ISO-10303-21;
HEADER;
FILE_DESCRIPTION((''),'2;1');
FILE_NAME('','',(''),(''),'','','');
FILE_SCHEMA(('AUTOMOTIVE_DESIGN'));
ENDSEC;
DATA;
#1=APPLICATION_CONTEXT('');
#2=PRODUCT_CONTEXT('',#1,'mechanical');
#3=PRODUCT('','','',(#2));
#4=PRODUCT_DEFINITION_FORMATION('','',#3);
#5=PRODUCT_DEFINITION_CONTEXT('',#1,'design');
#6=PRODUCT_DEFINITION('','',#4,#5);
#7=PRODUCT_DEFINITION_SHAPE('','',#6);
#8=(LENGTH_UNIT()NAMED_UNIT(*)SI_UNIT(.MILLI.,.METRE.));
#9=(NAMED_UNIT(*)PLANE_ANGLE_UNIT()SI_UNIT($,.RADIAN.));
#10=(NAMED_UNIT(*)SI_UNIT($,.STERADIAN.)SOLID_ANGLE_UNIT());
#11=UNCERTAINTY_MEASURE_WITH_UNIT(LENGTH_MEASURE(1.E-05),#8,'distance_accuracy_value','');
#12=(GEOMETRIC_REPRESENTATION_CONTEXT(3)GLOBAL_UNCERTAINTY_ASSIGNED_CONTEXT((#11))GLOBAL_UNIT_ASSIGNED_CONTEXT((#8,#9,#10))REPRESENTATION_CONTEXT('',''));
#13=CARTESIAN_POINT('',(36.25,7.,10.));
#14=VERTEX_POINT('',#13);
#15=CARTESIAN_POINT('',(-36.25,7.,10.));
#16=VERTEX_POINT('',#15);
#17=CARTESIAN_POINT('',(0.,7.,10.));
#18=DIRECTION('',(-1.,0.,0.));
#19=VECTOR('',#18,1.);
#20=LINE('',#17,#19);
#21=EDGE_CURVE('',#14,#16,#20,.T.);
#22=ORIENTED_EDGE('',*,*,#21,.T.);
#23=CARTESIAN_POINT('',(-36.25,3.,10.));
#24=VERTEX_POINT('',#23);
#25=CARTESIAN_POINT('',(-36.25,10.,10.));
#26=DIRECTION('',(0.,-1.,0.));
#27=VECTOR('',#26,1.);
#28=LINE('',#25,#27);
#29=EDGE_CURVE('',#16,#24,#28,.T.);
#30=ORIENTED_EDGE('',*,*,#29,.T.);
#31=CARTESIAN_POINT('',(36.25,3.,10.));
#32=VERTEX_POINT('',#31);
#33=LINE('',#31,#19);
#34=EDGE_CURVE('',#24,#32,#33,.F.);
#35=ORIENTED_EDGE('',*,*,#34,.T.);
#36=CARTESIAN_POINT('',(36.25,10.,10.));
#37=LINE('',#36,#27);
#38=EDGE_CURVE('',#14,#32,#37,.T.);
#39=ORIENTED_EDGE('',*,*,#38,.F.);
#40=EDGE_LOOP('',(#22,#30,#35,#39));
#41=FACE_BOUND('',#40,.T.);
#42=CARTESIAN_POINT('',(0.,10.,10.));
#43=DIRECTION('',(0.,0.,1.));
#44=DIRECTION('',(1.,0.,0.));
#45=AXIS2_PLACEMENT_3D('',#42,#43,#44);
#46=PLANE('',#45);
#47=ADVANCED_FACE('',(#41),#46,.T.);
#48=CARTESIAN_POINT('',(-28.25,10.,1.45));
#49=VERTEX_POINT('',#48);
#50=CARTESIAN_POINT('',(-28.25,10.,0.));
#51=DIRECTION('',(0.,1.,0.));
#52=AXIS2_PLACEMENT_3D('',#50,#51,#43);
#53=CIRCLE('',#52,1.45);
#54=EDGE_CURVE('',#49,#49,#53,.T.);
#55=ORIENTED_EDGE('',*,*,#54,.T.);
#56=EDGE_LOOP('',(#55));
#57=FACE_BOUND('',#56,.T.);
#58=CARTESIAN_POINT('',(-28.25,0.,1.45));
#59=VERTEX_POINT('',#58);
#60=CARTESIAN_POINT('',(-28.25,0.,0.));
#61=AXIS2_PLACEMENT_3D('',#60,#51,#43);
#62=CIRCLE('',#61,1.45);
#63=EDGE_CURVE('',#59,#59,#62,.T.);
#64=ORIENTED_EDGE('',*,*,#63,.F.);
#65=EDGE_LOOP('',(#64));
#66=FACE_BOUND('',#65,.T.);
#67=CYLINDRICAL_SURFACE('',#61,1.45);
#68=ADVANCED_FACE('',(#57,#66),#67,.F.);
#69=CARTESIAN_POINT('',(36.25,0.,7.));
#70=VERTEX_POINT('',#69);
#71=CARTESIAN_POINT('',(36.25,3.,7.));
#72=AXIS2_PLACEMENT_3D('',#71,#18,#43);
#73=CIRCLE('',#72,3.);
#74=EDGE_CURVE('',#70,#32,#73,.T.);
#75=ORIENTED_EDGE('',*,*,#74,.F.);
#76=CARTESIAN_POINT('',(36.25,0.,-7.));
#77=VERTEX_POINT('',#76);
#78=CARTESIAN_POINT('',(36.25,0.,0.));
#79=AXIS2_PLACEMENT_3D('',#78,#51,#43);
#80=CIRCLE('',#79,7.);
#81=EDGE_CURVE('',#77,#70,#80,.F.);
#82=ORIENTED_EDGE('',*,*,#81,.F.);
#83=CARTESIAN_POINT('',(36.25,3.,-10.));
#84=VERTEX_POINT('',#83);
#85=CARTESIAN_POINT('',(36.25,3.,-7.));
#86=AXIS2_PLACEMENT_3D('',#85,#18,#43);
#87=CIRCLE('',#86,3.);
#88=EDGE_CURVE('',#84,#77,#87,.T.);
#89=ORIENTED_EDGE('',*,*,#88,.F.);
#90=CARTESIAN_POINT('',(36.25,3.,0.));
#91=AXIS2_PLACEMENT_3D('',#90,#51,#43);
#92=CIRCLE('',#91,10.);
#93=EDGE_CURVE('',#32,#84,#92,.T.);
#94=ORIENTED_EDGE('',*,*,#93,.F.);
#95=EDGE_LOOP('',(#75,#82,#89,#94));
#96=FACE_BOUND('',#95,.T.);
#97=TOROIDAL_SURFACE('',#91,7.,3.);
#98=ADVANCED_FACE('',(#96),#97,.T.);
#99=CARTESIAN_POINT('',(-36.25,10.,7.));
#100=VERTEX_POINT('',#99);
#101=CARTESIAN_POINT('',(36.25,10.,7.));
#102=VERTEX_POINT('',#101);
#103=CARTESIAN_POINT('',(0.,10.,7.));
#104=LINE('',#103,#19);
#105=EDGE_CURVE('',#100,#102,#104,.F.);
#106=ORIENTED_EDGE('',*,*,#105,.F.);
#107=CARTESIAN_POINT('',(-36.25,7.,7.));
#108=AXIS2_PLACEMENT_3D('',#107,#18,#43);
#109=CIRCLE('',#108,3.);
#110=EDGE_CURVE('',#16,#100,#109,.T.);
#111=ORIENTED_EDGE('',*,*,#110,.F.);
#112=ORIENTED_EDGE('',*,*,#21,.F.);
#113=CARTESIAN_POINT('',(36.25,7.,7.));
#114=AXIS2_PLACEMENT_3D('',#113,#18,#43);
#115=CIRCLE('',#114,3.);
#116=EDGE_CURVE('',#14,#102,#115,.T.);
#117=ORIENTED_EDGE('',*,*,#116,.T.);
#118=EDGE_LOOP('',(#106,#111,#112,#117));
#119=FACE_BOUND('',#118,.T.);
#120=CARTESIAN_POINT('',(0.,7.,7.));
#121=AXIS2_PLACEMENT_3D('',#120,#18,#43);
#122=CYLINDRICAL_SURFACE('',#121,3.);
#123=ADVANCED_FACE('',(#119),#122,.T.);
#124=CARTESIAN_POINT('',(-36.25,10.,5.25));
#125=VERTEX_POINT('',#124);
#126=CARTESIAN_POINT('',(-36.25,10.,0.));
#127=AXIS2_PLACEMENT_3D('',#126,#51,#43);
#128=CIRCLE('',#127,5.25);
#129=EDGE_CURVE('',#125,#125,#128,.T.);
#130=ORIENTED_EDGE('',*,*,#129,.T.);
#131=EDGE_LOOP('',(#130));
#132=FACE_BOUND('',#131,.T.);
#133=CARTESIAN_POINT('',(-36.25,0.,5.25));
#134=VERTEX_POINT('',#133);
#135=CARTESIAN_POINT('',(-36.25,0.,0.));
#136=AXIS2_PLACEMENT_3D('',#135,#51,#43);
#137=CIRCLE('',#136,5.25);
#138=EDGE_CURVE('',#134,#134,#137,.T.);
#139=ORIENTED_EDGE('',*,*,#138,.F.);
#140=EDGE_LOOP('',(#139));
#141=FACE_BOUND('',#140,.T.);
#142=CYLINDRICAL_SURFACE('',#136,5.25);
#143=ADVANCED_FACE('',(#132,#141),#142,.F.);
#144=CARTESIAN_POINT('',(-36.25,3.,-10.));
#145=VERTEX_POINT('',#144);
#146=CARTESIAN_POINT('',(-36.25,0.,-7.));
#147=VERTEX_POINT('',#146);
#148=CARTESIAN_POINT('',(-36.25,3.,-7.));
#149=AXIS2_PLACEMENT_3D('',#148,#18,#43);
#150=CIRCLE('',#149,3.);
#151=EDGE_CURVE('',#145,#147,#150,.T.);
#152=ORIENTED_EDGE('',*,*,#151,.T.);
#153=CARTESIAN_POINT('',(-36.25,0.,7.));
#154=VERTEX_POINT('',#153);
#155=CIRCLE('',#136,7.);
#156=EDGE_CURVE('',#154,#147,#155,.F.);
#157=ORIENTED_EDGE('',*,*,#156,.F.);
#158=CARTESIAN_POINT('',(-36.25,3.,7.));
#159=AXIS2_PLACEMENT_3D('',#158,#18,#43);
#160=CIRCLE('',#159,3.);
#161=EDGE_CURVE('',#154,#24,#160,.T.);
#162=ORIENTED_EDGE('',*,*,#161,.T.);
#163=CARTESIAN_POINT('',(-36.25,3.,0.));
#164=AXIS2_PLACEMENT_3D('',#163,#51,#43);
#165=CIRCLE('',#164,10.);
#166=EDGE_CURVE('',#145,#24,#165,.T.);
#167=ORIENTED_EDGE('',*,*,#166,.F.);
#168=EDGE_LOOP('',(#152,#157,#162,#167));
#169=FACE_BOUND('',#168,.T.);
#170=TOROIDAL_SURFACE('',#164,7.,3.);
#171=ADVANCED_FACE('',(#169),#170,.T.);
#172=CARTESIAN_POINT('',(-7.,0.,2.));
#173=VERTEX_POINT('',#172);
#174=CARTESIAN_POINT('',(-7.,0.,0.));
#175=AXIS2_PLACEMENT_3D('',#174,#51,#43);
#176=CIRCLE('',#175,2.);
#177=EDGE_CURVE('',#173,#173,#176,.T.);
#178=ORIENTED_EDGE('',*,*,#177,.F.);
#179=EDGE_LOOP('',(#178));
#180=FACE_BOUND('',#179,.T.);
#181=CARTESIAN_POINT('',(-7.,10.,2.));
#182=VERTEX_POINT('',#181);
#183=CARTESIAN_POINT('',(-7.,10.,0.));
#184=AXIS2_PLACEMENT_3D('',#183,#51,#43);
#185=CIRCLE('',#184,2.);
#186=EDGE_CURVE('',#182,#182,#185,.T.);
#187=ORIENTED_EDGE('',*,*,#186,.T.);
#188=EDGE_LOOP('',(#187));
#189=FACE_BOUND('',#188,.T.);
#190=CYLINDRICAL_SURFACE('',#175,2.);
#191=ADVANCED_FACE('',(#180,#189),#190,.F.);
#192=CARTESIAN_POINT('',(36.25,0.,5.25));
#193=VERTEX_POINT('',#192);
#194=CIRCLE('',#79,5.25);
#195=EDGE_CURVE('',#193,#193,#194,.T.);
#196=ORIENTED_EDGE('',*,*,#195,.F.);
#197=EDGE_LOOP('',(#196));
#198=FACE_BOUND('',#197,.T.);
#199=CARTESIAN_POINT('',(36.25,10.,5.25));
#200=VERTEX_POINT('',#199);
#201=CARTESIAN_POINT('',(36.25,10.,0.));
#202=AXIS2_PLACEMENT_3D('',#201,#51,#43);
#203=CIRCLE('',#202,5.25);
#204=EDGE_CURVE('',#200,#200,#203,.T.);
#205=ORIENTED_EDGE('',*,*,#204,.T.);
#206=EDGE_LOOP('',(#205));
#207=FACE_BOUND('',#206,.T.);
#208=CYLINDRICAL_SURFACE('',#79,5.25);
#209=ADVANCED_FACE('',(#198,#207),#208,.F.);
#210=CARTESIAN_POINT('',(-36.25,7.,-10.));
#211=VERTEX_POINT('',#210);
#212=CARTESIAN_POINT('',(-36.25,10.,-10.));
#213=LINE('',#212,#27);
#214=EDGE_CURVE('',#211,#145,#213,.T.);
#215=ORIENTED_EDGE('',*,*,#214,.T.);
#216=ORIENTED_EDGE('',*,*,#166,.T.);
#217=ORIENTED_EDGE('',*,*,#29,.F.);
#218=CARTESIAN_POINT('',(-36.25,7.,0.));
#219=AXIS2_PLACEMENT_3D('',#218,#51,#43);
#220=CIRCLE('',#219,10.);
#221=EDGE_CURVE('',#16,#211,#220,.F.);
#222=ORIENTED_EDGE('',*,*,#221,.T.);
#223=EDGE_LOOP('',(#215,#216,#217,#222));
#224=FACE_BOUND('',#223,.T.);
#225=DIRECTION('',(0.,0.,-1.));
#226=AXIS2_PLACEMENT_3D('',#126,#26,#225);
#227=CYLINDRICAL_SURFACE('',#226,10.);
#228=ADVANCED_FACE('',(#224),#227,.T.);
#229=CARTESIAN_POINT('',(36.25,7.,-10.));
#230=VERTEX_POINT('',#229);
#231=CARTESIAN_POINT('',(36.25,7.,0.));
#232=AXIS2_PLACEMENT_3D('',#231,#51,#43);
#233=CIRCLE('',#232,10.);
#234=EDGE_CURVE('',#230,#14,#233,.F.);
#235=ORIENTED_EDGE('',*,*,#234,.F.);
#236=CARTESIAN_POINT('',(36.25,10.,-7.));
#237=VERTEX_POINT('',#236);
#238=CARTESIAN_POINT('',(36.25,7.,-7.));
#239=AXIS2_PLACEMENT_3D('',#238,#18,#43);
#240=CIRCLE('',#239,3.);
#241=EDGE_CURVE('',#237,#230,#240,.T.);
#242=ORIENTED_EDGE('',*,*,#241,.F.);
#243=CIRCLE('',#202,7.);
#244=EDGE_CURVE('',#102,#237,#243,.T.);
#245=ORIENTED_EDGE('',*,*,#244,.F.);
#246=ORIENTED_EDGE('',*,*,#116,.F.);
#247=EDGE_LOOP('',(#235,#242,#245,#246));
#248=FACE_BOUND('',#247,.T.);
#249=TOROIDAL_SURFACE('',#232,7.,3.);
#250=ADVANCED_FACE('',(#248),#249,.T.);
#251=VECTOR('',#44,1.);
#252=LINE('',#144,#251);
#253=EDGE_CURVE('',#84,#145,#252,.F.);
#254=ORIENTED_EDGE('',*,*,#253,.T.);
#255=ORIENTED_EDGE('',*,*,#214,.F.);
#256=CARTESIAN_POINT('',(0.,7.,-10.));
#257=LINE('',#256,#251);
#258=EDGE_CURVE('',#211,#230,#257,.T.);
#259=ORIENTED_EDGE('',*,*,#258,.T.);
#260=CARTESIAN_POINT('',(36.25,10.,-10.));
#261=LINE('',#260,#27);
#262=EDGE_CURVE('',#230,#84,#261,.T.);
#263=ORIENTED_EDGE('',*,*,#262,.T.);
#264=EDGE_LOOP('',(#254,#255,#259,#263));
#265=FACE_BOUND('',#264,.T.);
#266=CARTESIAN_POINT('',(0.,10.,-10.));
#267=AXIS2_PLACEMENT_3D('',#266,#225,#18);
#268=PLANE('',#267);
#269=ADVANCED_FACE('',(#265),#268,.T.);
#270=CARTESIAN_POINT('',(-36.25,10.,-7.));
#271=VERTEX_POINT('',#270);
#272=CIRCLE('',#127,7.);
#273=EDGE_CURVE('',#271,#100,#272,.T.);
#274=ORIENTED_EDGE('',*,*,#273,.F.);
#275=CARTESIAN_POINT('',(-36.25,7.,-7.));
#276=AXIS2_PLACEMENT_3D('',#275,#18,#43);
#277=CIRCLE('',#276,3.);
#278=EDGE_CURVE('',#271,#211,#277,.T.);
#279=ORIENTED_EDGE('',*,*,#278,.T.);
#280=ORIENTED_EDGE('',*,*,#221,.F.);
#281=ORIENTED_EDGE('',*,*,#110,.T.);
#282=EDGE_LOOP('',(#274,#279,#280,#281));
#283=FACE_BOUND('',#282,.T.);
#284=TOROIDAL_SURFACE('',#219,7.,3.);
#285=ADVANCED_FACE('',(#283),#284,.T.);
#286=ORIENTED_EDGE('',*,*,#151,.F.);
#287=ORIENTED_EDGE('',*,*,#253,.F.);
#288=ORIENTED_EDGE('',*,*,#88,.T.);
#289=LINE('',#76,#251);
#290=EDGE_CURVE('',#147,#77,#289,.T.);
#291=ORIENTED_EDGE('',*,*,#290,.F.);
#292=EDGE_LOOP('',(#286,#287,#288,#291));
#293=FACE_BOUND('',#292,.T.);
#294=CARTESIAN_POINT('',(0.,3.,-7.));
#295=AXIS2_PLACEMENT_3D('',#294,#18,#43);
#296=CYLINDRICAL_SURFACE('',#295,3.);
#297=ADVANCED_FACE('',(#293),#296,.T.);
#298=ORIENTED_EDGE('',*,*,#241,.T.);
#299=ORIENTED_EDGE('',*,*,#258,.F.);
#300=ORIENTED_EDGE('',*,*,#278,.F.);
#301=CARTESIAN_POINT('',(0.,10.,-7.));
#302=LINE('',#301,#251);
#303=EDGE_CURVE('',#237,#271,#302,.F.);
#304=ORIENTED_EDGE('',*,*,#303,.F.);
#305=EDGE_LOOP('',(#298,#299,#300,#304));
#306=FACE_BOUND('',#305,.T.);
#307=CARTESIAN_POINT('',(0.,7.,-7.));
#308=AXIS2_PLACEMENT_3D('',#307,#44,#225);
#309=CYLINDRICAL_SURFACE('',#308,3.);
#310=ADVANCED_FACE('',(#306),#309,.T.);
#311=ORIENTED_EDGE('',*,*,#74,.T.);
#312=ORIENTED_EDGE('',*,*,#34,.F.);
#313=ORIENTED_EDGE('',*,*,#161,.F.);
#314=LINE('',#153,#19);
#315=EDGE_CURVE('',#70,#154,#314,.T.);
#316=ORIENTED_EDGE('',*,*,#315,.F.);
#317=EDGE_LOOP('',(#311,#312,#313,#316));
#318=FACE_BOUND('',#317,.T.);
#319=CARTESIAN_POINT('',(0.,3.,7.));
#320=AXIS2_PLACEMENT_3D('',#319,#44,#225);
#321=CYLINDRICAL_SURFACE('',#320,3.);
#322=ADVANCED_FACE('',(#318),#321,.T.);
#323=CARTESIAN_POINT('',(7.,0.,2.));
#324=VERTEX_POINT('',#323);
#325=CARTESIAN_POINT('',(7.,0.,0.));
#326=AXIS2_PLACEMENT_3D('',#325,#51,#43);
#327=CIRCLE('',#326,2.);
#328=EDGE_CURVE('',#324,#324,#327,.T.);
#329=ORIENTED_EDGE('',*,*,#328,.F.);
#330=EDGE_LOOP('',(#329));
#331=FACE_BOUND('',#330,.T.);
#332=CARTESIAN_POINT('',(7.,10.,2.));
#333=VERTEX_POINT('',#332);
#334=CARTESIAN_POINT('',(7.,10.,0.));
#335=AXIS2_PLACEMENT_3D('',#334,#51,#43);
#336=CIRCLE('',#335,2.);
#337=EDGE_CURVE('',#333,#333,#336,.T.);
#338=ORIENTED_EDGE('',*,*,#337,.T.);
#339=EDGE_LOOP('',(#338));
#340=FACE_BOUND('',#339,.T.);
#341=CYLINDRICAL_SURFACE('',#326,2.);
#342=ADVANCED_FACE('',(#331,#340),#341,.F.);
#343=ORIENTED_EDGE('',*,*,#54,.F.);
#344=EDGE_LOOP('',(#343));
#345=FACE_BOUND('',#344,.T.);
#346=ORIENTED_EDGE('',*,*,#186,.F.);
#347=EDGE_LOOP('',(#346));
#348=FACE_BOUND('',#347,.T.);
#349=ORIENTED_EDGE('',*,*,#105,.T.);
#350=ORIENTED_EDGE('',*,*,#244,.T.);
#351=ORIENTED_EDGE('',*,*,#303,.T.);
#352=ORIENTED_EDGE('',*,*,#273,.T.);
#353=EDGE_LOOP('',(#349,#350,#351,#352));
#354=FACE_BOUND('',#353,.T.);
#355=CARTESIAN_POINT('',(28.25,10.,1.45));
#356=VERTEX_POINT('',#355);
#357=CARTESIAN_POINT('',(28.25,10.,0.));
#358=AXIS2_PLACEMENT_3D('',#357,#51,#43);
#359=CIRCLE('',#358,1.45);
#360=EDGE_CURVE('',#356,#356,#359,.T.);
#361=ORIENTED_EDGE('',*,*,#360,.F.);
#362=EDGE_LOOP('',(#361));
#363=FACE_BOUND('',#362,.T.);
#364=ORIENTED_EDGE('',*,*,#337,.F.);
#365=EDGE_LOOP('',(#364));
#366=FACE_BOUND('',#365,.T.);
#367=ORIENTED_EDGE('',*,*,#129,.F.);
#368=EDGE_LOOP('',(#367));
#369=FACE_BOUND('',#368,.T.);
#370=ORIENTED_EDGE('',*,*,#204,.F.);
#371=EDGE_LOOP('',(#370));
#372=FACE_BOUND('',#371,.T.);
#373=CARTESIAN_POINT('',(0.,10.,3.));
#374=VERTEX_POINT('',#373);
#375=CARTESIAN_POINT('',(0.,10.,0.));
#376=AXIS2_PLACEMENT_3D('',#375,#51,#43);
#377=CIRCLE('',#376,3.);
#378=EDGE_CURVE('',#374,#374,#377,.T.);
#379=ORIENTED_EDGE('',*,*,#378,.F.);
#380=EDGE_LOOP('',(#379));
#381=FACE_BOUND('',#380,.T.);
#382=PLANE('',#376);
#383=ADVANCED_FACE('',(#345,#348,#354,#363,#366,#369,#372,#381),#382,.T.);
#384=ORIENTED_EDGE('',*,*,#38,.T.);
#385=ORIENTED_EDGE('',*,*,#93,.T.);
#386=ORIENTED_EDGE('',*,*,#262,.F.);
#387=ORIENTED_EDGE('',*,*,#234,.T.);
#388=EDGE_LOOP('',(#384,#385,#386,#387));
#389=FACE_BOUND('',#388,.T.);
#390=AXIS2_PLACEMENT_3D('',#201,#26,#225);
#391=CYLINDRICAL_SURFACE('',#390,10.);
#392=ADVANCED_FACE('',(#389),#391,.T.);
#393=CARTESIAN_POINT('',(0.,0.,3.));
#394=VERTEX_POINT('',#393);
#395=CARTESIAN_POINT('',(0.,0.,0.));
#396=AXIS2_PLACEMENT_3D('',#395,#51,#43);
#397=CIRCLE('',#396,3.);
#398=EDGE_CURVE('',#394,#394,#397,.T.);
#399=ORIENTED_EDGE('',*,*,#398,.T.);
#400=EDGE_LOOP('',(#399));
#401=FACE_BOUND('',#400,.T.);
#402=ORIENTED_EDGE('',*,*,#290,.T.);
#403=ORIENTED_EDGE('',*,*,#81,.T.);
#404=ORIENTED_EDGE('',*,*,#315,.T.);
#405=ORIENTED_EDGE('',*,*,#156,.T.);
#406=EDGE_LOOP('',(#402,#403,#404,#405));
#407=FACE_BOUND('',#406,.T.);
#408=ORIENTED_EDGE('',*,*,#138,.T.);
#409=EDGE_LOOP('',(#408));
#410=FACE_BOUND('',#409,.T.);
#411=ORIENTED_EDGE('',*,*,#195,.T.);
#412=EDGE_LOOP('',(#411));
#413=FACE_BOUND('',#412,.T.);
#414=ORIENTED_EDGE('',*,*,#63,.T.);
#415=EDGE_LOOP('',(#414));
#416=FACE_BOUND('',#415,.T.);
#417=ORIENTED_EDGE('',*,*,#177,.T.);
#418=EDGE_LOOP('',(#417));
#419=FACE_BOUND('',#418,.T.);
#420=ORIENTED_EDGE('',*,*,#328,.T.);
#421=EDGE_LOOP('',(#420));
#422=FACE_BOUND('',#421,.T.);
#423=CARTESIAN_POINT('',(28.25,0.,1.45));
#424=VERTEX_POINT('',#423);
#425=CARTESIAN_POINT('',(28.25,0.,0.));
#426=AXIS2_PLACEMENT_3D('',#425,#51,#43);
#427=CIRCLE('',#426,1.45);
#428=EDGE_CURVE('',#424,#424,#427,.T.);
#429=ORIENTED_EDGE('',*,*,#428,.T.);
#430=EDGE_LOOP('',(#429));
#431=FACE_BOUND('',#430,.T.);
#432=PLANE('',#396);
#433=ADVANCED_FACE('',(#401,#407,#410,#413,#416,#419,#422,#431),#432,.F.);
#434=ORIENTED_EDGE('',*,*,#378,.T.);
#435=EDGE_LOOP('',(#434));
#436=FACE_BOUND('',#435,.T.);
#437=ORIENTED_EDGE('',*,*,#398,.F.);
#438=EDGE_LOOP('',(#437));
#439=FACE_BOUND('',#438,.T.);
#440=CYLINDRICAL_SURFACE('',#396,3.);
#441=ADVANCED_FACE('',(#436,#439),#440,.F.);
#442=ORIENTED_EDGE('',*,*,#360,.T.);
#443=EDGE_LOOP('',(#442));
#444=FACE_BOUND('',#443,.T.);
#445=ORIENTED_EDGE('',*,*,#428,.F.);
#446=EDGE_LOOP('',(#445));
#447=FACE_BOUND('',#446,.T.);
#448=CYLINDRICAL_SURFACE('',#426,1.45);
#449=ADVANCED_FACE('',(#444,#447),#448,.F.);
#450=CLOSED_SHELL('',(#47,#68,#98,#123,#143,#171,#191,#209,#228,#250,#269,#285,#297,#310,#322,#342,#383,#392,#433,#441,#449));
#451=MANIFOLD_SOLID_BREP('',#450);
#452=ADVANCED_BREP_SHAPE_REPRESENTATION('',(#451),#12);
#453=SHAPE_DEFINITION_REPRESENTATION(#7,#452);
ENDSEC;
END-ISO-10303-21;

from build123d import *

# Parameters (mm, degrees)
SKETCH2_R           = 5
BOSS_EXTRUDE1_DEPTH = 10
FILLET1_R           = 3
BOSS_EXTRUDE2_DEPTH = 10
SKETCH5_R           = 5
SKETCH5_R_2         = 4.5
BOSS_EXTRUDE3_DEPTH = 10
SKETCH6_R           = 2
CUT_EXTRUDE1_DEPTH  = 10
SKETCH7_R           = 3
CUT_EXTRUDE2_DEPTH  = 10
SKETCH8_R           = 4.65
CUT_EXTRUDE3_DEPTH  = 17
SKETCH9_R           = 4.65
SKETCH9_R_2         = 5.25
CUT_EXTRUDE4_DEPTH  = 10
SKETCH9_3_R         = 1.45
CUT_EXTRUDE5_DEPTH  = 10


with BuildPart() as part:
    # Sketch2 → Boss-Extrude1 (new body)
    with BuildSketch(Plane(origin=(0, 0, 0), x_dir=(1, 0, 0), z_dir=(0, 1, 0))):
        with BuildLine():
            Line((36.25, 10), (-36.25, 10))
            ThreePointArc((-36.25, 10), (-46.25, 0), (-36.25, -10))
            Line((-36.25, -10), (36.25, -10))
            ThreePointArc((36.25, -10), (46.25, 0), (36.25, 10))
        make_face()
        with Locations((-36.25, 0)):
            Circle(SKETCH2_R, mode=Mode.SUBTRACT)
        with BuildLine():
            ThreePointArc((5, 0), (3.535533906, -3.535533906), (0, -5))
            ThreePointArc((0, -5), (-5, 0), (0, 5))
            ThreePointArc((0, 5), (3.535533906, 3.535533906), (5, 0))
        make_face(mode=Mode.SUBTRACT)
        with Locations((36.25, 0)):
            Circle(SKETCH2_R, mode=Mode.SUBTRACT)
    extrude(amount=BOSS_EXTRUDE1_DEPTH)

    # Fillet1
    fillet1_edges = [part.edges().sort_by_distance(p)[0] for p in [
        (46.25, 0, 0),
        (0, 0, 10),
        (0, 10, 10),
        (46.25, 10, 0),
        (0, 10, -10),
        (-46.25, 10, 0),
        (-46.25, 0, 0),
        (0, 0, -10),
    ]]
    fillet(fillet1_edges, radius=FILLET1_R)

    # Sketch3 → Boss-Extrude2 (add)
    with BuildSketch(Plane(origin=(0, 10, 0), x_dir=(1, 0, 0), z_dir=(0, 1, 0))):
        with BuildLine():
            Line((5, 0), (0, 0))
            Line((0, 0), (-5, 0))
            ThreePointArc((-5, 0), (0, -5), (5, 0))
        make_face()
        with BuildLine():
            Line((-5, 0), (0, 0))
            Line((0, 0), (5, 0))
            ThreePointArc((5, 0), (0, 5), (-5, 0))
        make_face()
    extrude(amount=-BOSS_EXTRUDE2_DEPTH)

    # Sketch5 → Boss-Extrude3 (add)
    with BuildSketch(Plane(origin=(0, 10, 0), x_dir=(1, 0, 0), z_dir=(0, 1, 0))):
        with Locations((-36.25, 0)):
            Circle(SKETCH5_R)
        with Locations((-36.25, 0)):
            Circle(SKETCH5_R_2, mode=Mode.SUBTRACT)
        with Locations((36.25, 0)):
            Circle(SKETCH5_R)
        with Locations((36.25, 0)):
            Circle(SKETCH5_R_2, mode=Mode.SUBTRACT)
    extrude(amount=-BOSS_EXTRUDE3_DEPTH)

    # Sketch6 → Cut-Extrude1 (cut)
    with BuildSketch(Plane(origin=(0, 10, 0), x_dir=(1, 0, 0), z_dir=(0, 1, 0))):
        with Locations((-7, 0)):
            Circle(SKETCH6_R)
        with Locations((7, 0)):
            Circle(SKETCH6_R)
    extrude(amount=-CUT_EXTRUDE1_DEPTH, mode=Mode.SUBTRACT)

    # Sketch7 → Cut-Extrude2 (cut)
    with BuildSketch(Plane(origin=(0, 10, 0), x_dir=(1, 0, 0), z_dir=(0, 1, 0))):
        Circle(SKETCH7_R)
    extrude(amount=-CUT_EXTRUDE2_DEPTH, mode=Mode.SUBTRACT)

    # Sketch8 → Cut-Extrude3 (cut)
    with BuildSketch(Plane(origin=(0, 10, 0), x_dir=(1, 0, 0), z_dir=(0, 1, 0))):
        with Locations((-36.25, 0)):
            Circle(SKETCH8_R)
        with Locations((36.25, 0)):
            Circle(SKETCH8_R)
    extrude(amount=-CUT_EXTRUDE3_DEPTH, mode=Mode.SUBTRACT)

    # Sketch9 → Cut-Extrude4 (cut)
    with BuildSketch(Plane(origin=(0, 10, 0), x_dir=(1, 0, 0), z_dir=(0, 1, 0))):
        with Locations((-36.25, 0)):
            Circle(SKETCH9_R)
        with Locations((36.25, 0)):
            Circle(SKETCH9_R)
        with Locations((-36.25, 0)):
            Circle(SKETCH9_R_2)
        with Locations((-36.25, 0)):
            Circle(SKETCH9_R, mode=Mode.SUBTRACT)
        with Locations((36.25, 0)):
            Circle(SKETCH9_R_2)
        with Locations((36.25, 0)):
            Circle(SKETCH9_R, mode=Mode.SUBTRACT)
    extrude(amount=-CUT_EXTRUDE4_DEPTH, mode=Mode.SUBTRACT)

    # Sketch9<3> → Cut-Extrude5 (cut)
    with BuildSketch(Plane(origin=(0, 10, 0), x_dir=(1, 0, 0), z_dir=(0, 1, 0))):
        with Locations((-28.25, 0)):
            Circle(SKETCH9_3_R)
        with Locations((28.25, 0)):
            Circle(SKETCH9_3_R)
    extrude(amount=-CUT_EXTRUDE5_DEPTH, mode=Mode.SUBTRACT)


solid = part.part
